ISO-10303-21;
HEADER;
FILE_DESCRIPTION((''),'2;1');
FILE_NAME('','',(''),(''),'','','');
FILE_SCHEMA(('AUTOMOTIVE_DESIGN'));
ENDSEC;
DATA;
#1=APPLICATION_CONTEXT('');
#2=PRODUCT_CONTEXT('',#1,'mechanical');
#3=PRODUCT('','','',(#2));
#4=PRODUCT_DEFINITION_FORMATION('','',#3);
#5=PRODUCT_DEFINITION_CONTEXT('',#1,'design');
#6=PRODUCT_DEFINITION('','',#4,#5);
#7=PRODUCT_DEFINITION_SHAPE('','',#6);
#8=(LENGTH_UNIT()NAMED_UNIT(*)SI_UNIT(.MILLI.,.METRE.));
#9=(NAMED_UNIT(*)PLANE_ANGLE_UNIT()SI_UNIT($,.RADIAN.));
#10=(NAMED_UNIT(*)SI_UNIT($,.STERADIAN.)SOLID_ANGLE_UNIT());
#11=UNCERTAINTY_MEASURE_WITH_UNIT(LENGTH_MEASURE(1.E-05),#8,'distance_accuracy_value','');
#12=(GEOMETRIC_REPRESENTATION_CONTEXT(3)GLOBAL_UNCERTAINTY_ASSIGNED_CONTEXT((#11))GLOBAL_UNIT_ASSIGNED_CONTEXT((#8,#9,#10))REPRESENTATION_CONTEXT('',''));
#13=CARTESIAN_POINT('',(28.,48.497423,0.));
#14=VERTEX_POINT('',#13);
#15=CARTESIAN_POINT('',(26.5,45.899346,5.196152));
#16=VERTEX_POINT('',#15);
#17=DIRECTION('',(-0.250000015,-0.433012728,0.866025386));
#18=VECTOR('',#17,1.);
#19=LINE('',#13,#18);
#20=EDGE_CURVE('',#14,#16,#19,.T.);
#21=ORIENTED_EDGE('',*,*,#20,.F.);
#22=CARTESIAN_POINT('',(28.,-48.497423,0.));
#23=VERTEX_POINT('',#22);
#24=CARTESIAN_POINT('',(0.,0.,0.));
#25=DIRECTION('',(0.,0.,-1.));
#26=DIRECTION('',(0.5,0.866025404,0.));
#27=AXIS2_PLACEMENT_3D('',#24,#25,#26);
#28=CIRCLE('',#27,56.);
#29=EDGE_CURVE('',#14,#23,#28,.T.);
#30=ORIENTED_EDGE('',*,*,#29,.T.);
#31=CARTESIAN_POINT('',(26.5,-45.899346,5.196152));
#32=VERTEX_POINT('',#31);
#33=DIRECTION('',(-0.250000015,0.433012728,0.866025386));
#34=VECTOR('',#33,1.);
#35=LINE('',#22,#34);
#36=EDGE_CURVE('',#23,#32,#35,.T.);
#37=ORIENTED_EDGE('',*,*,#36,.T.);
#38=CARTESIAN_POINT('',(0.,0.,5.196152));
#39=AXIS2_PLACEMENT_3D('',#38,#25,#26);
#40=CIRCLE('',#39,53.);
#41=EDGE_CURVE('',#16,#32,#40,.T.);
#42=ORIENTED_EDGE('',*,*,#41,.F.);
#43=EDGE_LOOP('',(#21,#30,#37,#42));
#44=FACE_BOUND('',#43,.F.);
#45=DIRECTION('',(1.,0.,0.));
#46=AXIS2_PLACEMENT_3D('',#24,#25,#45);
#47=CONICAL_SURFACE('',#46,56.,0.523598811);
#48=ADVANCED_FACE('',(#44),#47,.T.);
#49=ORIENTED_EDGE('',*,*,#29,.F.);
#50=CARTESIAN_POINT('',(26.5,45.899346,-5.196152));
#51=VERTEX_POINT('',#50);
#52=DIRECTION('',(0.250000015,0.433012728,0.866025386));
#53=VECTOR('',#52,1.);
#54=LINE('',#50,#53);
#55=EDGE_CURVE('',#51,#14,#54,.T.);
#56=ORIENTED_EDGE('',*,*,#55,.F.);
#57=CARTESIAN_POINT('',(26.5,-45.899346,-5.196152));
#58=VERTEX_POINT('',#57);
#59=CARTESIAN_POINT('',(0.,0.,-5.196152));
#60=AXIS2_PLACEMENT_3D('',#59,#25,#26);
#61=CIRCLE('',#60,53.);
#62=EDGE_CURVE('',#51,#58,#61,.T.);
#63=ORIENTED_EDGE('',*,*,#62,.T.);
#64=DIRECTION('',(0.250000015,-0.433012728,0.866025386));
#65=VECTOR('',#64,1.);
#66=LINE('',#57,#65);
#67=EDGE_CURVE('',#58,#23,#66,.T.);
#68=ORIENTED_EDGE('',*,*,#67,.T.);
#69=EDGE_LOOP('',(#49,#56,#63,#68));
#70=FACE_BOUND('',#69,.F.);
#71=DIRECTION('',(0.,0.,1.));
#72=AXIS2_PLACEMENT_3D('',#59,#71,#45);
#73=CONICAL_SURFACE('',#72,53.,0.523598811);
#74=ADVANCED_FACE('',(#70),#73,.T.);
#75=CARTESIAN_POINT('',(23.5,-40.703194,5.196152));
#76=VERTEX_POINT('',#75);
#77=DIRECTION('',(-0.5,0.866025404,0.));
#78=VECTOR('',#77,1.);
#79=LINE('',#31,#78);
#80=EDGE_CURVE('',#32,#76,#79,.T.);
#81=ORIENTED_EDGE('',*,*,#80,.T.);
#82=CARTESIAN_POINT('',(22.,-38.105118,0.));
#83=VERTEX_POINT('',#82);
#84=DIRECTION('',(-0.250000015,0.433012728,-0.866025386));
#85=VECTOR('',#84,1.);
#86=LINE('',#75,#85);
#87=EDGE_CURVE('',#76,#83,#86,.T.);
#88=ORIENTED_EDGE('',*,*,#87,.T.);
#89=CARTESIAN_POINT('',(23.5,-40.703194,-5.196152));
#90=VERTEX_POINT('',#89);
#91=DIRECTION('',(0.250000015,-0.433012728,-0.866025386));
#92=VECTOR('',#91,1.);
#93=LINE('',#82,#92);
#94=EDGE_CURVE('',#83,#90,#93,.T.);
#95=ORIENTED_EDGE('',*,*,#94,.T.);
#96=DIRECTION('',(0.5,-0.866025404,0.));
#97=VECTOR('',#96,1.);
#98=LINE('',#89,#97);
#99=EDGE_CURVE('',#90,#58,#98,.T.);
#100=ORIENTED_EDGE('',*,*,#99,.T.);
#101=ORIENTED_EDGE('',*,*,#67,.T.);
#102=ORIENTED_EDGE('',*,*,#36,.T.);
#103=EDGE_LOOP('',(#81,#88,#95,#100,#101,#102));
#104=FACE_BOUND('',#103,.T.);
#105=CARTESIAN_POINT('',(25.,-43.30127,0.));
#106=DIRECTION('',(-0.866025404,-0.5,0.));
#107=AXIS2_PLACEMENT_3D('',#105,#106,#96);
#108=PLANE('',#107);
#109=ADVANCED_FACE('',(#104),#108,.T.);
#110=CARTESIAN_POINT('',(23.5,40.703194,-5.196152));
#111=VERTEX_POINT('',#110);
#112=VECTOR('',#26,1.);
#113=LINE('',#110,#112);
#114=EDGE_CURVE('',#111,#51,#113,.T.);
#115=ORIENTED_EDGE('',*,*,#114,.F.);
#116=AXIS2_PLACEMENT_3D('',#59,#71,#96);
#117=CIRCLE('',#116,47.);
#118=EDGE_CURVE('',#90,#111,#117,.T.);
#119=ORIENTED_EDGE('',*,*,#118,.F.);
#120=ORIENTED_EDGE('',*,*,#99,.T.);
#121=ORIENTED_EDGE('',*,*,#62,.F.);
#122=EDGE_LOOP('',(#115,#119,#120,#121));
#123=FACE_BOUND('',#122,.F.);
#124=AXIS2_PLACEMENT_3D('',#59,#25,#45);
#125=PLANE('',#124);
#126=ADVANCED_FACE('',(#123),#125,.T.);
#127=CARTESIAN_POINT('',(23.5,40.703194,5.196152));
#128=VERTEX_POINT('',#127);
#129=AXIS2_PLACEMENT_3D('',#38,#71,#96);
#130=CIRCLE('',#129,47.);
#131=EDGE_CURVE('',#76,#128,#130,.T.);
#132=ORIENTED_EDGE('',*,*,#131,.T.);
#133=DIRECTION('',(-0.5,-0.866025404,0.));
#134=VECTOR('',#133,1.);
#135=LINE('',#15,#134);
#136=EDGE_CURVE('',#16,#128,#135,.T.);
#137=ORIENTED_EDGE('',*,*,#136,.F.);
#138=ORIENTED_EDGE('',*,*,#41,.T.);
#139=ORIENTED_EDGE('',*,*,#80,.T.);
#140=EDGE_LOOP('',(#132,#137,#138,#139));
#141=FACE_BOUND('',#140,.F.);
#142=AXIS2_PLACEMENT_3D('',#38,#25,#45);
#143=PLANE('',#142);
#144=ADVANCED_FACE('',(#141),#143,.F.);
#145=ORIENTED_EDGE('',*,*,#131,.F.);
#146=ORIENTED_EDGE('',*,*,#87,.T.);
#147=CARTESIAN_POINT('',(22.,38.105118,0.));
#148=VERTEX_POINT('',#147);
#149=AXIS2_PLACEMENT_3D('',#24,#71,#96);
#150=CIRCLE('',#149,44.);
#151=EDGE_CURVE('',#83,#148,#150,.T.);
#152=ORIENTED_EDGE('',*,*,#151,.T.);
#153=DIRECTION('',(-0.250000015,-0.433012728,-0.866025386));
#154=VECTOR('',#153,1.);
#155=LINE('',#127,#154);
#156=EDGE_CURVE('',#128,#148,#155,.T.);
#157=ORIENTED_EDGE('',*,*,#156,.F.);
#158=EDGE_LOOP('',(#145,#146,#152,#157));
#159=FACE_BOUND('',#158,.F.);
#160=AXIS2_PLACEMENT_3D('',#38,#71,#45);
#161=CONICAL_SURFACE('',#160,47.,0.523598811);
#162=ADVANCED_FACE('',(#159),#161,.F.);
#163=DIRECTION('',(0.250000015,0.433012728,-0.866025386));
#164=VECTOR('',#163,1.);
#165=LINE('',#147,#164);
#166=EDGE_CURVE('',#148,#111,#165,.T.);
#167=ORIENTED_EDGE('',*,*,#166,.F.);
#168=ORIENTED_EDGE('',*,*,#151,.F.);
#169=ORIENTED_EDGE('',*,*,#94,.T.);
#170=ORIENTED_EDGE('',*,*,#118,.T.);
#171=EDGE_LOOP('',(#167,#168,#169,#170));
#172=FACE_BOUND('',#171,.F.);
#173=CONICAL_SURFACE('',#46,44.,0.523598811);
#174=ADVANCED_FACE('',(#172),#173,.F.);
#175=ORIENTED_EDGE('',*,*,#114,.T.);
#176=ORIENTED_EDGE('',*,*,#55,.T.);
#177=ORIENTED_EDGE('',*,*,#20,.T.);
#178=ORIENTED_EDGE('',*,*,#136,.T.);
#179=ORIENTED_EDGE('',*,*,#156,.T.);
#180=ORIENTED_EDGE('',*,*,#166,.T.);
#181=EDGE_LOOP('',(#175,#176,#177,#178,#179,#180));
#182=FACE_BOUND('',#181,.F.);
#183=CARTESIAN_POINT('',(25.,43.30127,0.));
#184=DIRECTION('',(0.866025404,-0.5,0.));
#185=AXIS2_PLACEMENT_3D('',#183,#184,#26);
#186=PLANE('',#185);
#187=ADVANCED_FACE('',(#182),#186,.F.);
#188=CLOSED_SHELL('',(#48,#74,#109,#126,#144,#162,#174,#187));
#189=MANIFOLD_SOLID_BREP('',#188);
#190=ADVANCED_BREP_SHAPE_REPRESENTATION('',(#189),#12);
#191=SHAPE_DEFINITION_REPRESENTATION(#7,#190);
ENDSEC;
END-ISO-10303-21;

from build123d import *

# Parameters (mm, degrees)
F1_ANGLE = 120


with BuildPart() as f1:
    # F0 (on Front) → F1 (revolve, symmetric)
    with BuildSketch(Plane.XZ) as f1_sk:
        Polygon((47, -5.196152), (53, -5.196152), (56, 0), (53, 5.196152), (47, 5.196152), (44, 0), align=None)
    revolve(axis=Axis((0, 0, 10.0741), (0, 0, 1)), revolution_arc=F1_ANGLE / 2)
    revolve(f1_sk.sketch, axis=Axis((0, 0, 10.0741), (0, 0, -1)), revolution_arc=F1_ANGLE / 2)


solid = f1.part
